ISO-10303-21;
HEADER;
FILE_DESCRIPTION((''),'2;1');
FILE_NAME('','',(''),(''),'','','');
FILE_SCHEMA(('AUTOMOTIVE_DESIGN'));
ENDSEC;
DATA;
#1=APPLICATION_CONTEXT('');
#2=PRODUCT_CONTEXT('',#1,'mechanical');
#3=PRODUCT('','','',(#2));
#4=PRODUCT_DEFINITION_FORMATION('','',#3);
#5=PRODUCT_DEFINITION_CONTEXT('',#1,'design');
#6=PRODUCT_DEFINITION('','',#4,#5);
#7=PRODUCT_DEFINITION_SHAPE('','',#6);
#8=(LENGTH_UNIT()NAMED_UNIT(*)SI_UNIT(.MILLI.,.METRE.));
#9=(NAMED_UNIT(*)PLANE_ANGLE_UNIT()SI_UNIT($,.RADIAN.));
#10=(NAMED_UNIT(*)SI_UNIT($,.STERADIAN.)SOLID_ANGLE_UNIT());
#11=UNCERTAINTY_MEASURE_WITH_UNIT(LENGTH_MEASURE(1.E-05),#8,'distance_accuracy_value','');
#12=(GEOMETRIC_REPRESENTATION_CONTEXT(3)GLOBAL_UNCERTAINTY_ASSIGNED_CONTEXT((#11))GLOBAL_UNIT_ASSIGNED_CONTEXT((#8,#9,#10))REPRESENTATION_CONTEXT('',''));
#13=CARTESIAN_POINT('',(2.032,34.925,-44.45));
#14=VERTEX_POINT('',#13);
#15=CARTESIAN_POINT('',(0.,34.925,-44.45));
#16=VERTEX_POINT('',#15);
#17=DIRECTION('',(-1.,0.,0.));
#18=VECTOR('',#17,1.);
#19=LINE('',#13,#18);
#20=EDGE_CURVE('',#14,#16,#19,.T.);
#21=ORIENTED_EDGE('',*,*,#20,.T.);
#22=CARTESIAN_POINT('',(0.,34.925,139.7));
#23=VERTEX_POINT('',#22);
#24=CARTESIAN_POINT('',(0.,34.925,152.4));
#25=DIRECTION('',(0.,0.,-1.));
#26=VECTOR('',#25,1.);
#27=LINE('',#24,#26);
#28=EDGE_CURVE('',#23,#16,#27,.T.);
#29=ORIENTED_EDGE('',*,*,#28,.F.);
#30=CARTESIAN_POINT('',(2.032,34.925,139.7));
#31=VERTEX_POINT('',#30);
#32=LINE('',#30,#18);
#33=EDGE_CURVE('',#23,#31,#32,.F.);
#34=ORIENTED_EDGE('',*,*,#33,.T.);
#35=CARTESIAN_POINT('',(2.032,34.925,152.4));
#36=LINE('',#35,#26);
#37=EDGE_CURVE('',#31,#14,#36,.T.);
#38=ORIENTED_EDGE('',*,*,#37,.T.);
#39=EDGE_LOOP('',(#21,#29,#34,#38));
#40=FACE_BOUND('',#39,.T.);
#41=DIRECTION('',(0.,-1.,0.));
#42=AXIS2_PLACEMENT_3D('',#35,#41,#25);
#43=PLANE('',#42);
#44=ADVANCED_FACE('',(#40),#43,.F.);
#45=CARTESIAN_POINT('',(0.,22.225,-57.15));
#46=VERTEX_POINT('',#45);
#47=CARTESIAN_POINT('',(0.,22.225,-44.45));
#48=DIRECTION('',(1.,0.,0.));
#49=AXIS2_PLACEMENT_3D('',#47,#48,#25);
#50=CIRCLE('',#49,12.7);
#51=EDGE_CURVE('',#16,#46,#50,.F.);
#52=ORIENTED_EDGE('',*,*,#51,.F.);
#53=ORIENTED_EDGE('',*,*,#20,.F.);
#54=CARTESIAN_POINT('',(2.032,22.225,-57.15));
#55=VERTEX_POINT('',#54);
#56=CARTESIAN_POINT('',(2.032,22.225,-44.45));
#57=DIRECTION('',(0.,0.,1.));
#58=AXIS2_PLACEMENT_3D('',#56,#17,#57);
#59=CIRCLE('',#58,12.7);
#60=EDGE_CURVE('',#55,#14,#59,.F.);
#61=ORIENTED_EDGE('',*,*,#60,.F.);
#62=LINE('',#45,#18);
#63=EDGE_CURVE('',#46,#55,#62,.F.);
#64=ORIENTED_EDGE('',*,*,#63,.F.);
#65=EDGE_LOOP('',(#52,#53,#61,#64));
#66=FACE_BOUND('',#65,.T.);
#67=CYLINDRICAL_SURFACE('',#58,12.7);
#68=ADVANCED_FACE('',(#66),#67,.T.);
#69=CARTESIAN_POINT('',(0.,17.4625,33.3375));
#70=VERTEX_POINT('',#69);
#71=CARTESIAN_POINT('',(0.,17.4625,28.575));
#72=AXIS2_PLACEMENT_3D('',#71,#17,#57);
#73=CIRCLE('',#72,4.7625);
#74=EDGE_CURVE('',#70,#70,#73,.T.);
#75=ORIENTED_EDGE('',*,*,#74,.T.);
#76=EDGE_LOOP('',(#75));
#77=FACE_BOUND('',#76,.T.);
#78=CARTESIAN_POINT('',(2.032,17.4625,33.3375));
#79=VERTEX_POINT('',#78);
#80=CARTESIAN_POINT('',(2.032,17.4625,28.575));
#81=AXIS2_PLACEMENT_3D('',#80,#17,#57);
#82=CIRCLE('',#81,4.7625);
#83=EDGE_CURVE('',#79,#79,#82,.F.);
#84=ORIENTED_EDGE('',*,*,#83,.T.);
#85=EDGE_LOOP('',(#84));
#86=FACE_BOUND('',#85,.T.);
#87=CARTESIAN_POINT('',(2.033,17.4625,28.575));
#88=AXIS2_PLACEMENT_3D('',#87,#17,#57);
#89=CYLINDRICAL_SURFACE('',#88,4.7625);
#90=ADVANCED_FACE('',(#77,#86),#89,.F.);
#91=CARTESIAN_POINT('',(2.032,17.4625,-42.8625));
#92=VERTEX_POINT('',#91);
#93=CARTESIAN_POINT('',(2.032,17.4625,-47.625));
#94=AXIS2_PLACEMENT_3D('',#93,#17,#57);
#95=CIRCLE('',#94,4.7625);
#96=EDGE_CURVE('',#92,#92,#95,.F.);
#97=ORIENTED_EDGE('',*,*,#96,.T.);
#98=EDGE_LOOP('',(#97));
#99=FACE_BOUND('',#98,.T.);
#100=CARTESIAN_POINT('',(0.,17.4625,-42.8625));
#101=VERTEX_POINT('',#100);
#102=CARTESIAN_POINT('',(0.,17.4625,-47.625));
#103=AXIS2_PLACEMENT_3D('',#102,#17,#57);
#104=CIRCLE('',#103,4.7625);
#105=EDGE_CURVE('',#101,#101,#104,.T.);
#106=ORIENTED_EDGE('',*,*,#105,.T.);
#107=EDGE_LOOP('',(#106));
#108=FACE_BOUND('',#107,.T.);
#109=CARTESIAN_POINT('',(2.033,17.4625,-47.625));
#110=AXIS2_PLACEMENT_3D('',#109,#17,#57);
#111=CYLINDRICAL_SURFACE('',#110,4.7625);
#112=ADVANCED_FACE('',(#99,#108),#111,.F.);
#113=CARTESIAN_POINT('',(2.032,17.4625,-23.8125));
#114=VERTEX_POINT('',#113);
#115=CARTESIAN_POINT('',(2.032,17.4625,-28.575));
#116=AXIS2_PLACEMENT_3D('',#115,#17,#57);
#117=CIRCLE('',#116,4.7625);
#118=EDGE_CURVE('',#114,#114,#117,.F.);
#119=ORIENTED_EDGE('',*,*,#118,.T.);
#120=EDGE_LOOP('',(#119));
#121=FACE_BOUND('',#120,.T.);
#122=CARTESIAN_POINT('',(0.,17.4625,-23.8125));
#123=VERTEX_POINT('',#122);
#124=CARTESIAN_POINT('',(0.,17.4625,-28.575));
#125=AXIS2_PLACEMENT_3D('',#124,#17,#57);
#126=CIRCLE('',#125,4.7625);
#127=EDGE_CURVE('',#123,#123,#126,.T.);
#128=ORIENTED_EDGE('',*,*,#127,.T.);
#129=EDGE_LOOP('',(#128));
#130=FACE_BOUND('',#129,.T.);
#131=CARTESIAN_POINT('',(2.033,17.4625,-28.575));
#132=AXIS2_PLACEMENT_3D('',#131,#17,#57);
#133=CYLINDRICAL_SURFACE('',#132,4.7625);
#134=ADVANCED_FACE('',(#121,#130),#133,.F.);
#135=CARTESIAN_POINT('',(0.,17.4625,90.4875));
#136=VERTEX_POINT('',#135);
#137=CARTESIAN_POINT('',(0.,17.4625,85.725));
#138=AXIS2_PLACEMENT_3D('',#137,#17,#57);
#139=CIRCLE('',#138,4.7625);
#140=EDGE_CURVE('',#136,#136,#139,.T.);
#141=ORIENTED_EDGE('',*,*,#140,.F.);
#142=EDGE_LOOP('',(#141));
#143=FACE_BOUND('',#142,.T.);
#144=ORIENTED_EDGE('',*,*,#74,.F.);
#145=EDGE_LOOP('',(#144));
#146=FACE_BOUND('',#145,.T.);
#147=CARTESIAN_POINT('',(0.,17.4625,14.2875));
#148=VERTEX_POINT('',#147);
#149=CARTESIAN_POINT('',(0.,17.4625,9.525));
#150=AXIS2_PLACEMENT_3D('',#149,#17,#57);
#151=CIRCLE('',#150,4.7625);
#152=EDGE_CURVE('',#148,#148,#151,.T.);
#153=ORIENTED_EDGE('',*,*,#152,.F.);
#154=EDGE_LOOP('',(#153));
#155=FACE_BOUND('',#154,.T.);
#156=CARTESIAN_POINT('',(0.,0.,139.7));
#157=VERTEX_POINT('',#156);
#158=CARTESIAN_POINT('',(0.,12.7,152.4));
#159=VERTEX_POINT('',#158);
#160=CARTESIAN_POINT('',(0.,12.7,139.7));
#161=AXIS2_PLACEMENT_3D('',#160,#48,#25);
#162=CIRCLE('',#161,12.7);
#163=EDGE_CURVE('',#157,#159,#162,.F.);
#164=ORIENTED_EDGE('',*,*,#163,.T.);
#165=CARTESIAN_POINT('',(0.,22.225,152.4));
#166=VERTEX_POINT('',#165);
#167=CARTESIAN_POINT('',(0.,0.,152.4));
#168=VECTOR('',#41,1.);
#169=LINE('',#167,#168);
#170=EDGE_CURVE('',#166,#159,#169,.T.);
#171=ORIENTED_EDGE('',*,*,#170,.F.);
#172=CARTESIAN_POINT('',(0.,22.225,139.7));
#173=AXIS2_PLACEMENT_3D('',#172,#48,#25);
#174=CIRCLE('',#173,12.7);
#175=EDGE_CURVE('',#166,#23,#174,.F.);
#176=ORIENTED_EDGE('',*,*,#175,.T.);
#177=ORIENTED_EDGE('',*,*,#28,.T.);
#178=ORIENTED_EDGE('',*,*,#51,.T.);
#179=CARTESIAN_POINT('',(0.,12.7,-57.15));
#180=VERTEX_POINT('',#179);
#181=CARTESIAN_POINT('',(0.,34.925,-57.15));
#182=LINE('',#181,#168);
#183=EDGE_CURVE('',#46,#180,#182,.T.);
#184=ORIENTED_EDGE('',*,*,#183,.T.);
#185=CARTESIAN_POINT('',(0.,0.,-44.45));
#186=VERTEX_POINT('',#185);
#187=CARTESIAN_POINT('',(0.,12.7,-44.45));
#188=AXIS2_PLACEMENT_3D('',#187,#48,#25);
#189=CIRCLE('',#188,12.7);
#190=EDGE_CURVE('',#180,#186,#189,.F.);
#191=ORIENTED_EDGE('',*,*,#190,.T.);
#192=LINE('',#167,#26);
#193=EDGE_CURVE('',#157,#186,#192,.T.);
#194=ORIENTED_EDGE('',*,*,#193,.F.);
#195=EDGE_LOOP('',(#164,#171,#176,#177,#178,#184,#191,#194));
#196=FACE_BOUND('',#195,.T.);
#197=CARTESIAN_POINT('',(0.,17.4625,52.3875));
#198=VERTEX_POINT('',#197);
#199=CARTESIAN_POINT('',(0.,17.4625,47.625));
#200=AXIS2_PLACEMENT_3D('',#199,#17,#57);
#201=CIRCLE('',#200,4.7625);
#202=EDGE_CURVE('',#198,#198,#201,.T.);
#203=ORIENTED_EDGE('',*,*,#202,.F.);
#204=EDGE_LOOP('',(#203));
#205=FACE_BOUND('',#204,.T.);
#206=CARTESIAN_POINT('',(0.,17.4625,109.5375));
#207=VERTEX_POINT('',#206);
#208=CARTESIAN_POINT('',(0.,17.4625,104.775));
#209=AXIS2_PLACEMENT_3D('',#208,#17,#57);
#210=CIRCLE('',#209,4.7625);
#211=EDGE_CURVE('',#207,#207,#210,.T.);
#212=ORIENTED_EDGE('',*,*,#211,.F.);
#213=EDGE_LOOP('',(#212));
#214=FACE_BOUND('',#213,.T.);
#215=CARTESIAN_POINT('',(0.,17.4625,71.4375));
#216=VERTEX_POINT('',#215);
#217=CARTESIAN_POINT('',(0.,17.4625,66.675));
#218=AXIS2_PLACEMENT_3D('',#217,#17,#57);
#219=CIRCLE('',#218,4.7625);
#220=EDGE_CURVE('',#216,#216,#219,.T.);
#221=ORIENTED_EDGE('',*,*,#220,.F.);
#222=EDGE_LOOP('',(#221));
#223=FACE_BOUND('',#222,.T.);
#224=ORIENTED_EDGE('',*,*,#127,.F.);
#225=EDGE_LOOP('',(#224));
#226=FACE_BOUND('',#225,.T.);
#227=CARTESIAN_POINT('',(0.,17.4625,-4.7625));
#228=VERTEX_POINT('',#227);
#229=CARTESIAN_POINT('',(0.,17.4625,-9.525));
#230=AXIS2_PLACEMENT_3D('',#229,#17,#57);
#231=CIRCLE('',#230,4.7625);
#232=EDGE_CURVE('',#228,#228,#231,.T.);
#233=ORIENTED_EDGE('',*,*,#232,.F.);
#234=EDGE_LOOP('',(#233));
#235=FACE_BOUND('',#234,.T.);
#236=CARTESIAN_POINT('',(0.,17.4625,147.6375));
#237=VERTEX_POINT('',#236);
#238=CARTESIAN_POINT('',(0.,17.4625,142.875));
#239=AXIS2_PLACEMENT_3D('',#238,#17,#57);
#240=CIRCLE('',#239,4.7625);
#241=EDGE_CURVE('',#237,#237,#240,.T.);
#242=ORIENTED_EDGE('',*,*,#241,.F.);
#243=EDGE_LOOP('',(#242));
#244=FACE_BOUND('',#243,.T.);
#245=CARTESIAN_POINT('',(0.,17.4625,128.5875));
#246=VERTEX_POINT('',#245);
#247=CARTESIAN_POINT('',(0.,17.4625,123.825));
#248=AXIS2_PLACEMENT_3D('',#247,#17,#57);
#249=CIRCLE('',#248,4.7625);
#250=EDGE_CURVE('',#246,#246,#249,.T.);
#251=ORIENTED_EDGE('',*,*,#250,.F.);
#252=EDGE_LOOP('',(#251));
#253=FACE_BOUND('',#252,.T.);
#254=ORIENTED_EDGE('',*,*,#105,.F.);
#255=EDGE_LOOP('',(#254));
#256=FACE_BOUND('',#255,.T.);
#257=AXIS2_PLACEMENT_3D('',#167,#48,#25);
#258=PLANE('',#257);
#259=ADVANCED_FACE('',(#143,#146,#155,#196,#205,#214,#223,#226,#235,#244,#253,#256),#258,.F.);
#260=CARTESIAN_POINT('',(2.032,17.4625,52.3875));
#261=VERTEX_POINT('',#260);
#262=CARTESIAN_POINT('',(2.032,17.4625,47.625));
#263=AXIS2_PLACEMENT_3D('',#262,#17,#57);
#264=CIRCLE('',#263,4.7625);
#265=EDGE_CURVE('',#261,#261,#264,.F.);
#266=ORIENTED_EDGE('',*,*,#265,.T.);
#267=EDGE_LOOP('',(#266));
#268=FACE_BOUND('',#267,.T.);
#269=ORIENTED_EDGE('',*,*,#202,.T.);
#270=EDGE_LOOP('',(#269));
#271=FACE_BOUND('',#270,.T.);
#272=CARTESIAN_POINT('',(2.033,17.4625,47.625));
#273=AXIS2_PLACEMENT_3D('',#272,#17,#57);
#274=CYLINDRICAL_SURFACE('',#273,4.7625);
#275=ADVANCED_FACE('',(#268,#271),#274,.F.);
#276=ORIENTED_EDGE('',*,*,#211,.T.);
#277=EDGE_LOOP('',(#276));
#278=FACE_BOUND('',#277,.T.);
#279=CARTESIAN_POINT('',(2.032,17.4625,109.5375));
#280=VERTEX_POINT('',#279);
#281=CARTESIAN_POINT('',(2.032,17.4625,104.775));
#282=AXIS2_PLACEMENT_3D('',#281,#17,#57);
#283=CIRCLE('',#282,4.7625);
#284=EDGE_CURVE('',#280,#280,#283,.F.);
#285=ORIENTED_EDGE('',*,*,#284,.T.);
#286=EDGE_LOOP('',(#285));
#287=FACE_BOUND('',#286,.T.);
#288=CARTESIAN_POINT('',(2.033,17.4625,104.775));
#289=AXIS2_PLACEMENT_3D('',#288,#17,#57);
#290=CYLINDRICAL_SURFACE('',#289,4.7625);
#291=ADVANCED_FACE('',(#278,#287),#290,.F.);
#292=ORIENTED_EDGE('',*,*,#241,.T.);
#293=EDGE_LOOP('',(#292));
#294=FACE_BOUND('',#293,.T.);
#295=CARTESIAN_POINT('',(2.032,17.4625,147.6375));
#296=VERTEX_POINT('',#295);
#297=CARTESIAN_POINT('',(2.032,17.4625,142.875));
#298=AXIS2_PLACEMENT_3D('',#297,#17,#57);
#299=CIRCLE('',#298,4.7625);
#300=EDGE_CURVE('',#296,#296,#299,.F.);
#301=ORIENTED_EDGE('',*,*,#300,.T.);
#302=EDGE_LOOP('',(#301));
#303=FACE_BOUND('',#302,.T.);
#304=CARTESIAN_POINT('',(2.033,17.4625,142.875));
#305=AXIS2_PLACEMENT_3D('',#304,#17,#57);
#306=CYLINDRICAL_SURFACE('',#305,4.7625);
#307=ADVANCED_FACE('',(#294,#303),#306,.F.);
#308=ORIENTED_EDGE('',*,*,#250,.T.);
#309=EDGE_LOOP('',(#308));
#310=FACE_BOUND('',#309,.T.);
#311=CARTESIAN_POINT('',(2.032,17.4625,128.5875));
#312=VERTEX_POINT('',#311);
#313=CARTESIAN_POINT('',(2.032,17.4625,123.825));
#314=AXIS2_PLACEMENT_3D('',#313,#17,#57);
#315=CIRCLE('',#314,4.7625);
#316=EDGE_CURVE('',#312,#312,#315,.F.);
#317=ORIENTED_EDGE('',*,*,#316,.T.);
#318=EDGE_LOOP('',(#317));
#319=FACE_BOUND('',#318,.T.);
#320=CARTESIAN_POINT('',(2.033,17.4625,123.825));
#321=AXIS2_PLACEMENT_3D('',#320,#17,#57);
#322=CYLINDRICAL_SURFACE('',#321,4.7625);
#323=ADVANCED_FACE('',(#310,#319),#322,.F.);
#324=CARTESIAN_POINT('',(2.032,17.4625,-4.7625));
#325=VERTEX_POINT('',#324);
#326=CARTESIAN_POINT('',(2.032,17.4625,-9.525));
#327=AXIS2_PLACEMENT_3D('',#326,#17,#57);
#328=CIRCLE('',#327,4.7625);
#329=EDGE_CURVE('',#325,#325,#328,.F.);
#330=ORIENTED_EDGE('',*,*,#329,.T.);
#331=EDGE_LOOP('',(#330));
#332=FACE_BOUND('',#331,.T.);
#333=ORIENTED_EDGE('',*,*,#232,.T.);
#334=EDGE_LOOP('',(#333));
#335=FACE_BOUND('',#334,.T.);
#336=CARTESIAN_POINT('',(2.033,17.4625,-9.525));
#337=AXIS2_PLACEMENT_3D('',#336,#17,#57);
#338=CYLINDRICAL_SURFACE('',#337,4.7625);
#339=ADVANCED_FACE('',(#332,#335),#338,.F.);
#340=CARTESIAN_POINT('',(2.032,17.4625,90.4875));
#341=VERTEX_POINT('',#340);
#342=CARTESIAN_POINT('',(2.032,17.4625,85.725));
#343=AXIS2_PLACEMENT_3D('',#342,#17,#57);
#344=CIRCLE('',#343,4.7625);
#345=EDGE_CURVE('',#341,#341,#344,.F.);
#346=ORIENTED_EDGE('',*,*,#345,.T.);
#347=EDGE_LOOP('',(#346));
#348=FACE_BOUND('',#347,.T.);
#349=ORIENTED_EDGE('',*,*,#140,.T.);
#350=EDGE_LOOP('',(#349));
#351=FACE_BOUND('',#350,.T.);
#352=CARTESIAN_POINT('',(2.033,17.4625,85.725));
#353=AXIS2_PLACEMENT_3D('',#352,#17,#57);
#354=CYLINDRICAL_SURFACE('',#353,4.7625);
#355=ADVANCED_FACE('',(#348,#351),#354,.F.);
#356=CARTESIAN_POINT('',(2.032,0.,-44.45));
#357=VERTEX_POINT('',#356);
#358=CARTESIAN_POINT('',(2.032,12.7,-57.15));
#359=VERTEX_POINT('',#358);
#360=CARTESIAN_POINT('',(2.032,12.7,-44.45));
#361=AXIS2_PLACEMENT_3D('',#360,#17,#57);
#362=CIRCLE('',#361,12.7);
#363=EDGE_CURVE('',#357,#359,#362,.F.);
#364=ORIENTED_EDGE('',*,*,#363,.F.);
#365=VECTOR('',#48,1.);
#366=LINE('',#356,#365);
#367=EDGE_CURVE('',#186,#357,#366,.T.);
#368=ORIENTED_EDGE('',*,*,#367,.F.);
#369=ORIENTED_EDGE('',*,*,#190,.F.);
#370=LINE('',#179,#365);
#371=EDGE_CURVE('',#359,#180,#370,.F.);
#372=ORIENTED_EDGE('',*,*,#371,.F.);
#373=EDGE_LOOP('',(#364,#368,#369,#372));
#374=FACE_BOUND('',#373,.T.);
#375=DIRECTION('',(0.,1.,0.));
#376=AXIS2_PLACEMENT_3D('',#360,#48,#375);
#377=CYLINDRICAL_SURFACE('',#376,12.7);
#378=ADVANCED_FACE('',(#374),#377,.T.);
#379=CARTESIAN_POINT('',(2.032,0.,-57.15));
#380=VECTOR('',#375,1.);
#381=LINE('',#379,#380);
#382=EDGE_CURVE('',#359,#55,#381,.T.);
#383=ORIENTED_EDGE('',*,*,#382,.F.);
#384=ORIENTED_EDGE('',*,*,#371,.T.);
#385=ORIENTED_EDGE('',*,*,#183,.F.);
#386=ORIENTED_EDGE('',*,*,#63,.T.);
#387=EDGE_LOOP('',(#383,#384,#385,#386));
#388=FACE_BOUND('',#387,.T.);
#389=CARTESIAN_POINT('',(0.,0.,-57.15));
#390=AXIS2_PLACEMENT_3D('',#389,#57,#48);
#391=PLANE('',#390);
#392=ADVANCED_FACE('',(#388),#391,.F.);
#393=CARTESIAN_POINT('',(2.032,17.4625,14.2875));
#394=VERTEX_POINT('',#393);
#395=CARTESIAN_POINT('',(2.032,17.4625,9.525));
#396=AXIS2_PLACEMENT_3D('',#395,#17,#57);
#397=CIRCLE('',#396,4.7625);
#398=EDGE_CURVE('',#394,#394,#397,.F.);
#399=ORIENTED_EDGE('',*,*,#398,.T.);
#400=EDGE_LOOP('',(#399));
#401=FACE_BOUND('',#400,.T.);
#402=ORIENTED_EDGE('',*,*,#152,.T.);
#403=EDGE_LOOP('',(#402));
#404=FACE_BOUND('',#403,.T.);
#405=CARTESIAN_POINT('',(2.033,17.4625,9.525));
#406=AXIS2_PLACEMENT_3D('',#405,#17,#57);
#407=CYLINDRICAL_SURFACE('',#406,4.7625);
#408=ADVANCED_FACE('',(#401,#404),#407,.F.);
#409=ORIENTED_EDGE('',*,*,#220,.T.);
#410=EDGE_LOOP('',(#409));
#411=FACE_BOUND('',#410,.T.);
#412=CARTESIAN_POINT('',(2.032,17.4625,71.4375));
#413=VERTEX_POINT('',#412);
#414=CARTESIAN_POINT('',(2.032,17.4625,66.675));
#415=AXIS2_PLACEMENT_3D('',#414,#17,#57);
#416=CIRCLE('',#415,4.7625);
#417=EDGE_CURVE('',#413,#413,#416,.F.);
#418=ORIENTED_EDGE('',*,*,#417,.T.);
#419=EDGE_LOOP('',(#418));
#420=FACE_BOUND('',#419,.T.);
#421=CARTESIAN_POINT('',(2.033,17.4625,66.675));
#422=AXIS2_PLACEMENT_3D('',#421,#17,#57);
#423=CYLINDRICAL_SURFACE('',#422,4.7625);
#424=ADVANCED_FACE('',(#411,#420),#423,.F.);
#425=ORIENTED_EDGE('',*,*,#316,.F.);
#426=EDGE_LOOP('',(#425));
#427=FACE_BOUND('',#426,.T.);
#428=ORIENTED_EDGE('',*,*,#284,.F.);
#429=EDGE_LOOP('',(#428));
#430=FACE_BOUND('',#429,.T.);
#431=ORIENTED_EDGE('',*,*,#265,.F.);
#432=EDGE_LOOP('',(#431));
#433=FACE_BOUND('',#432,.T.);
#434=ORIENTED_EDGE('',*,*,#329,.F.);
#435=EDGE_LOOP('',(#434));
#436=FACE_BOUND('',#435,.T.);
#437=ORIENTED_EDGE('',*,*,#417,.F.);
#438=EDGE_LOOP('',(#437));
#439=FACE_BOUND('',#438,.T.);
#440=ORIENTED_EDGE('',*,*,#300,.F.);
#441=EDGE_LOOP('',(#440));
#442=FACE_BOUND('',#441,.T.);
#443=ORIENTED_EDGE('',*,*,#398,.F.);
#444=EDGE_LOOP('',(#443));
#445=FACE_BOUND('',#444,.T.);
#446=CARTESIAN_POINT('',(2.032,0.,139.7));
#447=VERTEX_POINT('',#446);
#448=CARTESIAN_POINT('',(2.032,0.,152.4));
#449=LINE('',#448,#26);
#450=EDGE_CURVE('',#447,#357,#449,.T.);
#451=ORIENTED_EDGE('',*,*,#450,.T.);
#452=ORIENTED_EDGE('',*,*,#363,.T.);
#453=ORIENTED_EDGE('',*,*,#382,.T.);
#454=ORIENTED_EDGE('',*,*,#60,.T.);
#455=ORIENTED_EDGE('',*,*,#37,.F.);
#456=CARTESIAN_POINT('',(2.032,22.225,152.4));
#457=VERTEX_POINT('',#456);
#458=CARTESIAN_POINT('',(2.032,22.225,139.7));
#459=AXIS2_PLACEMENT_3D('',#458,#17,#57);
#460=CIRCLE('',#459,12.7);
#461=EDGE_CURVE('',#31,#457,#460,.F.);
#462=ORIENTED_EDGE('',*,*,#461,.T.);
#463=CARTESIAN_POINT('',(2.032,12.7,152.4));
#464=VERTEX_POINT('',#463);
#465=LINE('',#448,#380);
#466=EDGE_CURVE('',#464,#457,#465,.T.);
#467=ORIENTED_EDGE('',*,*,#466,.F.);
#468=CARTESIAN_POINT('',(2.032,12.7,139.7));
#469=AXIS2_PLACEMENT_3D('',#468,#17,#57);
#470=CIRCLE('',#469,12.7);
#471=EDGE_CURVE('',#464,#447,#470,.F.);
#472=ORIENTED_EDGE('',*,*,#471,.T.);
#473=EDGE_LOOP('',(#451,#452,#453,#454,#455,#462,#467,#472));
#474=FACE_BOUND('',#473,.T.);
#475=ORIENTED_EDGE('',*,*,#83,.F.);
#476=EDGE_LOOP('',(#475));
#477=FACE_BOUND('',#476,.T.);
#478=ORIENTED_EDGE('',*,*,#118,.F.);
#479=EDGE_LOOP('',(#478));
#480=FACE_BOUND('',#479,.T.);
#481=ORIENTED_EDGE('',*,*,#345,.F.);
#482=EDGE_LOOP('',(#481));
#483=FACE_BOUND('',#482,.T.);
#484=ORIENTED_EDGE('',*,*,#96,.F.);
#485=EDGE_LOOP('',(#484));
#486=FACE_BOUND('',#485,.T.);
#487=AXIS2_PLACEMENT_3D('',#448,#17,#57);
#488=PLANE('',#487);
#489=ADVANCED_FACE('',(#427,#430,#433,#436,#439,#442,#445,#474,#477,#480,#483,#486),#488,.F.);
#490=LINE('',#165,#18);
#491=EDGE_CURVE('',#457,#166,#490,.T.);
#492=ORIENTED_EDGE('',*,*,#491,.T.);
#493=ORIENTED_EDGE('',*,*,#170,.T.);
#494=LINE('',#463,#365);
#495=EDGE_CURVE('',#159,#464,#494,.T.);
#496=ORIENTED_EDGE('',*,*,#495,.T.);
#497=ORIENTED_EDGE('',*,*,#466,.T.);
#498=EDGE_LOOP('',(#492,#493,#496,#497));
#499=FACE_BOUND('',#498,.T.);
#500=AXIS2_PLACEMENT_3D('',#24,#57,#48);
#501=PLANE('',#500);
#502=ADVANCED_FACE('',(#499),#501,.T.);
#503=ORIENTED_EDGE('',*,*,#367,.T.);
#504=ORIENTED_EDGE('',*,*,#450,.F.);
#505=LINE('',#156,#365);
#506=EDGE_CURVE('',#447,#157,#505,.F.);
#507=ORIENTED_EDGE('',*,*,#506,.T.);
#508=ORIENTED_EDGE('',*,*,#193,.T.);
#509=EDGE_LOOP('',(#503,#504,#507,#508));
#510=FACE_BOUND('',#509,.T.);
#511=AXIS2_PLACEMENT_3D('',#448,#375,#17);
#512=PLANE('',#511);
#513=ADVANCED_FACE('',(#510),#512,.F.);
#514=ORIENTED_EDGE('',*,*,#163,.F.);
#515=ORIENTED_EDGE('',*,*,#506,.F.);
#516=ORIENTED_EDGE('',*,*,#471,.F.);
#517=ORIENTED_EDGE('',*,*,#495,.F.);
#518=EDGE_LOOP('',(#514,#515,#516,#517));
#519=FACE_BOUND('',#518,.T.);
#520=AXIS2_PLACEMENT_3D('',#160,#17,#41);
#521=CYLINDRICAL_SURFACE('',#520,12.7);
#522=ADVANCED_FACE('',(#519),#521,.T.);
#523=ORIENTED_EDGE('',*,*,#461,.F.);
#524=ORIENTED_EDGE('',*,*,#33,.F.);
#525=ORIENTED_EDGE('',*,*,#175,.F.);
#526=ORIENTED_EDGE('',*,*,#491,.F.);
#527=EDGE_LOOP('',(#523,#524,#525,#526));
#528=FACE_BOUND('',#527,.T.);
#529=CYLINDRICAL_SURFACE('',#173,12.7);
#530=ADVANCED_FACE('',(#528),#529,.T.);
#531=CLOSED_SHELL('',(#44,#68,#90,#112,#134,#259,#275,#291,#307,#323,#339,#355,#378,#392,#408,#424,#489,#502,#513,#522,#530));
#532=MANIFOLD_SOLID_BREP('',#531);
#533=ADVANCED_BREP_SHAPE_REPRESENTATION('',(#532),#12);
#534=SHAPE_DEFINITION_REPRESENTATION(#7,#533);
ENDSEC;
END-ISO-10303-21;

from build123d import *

# Parameters (mm, degrees)
SKETCH1_W           = 2.032
SKETCH1_H           = 34.925
BOSS_EXTRUDE1_DEPTH = 152.4
CUT_EXTRUDE1_REACH  = 158.364
SKETCH2_R           = 4.7625
LPATTERN1_COUNT     = 16
LPATTERN1_PITCH     = 19.05
SKETCH4_W           = 2.032
SKETCH4_H           = 34.925
CUT_EXTRUDE2_DEPTH  = 213.450199221
FILLET1_R           = 12.7


with BuildPart() as part:
    # Sketch1 → Boss-Extrude1 (new, symmetric)
    with BuildSketch(Plane.XY):
        with Locations((1.016, 17.4625)):
            Rectangle(SKETCH1_W, SKETCH1_H)
    extrude(amount=BOSS_EXTRUDE1_DEPTH, both=True)

    # Sketch2 → Cut-Extrude1 (cut, up to next)
    with BuildSketch(Plane.ZY, mode=Mode.PRIVATE) as cut_extrude1_sk1:
        with Locations((142.875, 17.4625)):
            Circle(SKETCH2_R)
    cut_extrude1_tool1 = extrude(cut_extrude1_sk1.sketch, amount=-CUT_EXTRUDE1_REACH, mode=Mode.PRIVATE) & part.part
    cut_extrude1 = cut_extrude1_tool1.solids().sort_by_distance((0, 17.4625, 142.875))[0]
    add(cut_extrude1, mode=Mode.SUBTRACT)

    # LPattern1: Cut-Extrude1 ×16
    with Locations(*[(0, 0, -i * LPATTERN1_PITCH) for i in range(1, LPATTERN1_COUNT)]):
        add(cut_extrude1, mode=Mode.SUBTRACT)

    # Sketch4 → Cut-Extrude2 (cut, through all)
    with BuildSketch(Plane.XY.offset(-57.15)):
        with Locations((1.016, 17.4625)):
            Rectangle(SKETCH4_W, SKETCH4_H)
    extrude(amount=-CUT_EXTRUDE2_DEPTH, mode=Mode.SUBTRACT)

    # Fillet1
    fillet1_edges = [part.edges().sort_by_distance(p)[0] for p in [
        (1.016, 34.925, 152.4),
        (1.016, 0, -57.15),
        (1.016, 34.925, -57.15),
        (1.016, 0, 152.4),
    ]]
    fillet(fillet1_edges, radius=FILLET1_R)


solid = part.part
